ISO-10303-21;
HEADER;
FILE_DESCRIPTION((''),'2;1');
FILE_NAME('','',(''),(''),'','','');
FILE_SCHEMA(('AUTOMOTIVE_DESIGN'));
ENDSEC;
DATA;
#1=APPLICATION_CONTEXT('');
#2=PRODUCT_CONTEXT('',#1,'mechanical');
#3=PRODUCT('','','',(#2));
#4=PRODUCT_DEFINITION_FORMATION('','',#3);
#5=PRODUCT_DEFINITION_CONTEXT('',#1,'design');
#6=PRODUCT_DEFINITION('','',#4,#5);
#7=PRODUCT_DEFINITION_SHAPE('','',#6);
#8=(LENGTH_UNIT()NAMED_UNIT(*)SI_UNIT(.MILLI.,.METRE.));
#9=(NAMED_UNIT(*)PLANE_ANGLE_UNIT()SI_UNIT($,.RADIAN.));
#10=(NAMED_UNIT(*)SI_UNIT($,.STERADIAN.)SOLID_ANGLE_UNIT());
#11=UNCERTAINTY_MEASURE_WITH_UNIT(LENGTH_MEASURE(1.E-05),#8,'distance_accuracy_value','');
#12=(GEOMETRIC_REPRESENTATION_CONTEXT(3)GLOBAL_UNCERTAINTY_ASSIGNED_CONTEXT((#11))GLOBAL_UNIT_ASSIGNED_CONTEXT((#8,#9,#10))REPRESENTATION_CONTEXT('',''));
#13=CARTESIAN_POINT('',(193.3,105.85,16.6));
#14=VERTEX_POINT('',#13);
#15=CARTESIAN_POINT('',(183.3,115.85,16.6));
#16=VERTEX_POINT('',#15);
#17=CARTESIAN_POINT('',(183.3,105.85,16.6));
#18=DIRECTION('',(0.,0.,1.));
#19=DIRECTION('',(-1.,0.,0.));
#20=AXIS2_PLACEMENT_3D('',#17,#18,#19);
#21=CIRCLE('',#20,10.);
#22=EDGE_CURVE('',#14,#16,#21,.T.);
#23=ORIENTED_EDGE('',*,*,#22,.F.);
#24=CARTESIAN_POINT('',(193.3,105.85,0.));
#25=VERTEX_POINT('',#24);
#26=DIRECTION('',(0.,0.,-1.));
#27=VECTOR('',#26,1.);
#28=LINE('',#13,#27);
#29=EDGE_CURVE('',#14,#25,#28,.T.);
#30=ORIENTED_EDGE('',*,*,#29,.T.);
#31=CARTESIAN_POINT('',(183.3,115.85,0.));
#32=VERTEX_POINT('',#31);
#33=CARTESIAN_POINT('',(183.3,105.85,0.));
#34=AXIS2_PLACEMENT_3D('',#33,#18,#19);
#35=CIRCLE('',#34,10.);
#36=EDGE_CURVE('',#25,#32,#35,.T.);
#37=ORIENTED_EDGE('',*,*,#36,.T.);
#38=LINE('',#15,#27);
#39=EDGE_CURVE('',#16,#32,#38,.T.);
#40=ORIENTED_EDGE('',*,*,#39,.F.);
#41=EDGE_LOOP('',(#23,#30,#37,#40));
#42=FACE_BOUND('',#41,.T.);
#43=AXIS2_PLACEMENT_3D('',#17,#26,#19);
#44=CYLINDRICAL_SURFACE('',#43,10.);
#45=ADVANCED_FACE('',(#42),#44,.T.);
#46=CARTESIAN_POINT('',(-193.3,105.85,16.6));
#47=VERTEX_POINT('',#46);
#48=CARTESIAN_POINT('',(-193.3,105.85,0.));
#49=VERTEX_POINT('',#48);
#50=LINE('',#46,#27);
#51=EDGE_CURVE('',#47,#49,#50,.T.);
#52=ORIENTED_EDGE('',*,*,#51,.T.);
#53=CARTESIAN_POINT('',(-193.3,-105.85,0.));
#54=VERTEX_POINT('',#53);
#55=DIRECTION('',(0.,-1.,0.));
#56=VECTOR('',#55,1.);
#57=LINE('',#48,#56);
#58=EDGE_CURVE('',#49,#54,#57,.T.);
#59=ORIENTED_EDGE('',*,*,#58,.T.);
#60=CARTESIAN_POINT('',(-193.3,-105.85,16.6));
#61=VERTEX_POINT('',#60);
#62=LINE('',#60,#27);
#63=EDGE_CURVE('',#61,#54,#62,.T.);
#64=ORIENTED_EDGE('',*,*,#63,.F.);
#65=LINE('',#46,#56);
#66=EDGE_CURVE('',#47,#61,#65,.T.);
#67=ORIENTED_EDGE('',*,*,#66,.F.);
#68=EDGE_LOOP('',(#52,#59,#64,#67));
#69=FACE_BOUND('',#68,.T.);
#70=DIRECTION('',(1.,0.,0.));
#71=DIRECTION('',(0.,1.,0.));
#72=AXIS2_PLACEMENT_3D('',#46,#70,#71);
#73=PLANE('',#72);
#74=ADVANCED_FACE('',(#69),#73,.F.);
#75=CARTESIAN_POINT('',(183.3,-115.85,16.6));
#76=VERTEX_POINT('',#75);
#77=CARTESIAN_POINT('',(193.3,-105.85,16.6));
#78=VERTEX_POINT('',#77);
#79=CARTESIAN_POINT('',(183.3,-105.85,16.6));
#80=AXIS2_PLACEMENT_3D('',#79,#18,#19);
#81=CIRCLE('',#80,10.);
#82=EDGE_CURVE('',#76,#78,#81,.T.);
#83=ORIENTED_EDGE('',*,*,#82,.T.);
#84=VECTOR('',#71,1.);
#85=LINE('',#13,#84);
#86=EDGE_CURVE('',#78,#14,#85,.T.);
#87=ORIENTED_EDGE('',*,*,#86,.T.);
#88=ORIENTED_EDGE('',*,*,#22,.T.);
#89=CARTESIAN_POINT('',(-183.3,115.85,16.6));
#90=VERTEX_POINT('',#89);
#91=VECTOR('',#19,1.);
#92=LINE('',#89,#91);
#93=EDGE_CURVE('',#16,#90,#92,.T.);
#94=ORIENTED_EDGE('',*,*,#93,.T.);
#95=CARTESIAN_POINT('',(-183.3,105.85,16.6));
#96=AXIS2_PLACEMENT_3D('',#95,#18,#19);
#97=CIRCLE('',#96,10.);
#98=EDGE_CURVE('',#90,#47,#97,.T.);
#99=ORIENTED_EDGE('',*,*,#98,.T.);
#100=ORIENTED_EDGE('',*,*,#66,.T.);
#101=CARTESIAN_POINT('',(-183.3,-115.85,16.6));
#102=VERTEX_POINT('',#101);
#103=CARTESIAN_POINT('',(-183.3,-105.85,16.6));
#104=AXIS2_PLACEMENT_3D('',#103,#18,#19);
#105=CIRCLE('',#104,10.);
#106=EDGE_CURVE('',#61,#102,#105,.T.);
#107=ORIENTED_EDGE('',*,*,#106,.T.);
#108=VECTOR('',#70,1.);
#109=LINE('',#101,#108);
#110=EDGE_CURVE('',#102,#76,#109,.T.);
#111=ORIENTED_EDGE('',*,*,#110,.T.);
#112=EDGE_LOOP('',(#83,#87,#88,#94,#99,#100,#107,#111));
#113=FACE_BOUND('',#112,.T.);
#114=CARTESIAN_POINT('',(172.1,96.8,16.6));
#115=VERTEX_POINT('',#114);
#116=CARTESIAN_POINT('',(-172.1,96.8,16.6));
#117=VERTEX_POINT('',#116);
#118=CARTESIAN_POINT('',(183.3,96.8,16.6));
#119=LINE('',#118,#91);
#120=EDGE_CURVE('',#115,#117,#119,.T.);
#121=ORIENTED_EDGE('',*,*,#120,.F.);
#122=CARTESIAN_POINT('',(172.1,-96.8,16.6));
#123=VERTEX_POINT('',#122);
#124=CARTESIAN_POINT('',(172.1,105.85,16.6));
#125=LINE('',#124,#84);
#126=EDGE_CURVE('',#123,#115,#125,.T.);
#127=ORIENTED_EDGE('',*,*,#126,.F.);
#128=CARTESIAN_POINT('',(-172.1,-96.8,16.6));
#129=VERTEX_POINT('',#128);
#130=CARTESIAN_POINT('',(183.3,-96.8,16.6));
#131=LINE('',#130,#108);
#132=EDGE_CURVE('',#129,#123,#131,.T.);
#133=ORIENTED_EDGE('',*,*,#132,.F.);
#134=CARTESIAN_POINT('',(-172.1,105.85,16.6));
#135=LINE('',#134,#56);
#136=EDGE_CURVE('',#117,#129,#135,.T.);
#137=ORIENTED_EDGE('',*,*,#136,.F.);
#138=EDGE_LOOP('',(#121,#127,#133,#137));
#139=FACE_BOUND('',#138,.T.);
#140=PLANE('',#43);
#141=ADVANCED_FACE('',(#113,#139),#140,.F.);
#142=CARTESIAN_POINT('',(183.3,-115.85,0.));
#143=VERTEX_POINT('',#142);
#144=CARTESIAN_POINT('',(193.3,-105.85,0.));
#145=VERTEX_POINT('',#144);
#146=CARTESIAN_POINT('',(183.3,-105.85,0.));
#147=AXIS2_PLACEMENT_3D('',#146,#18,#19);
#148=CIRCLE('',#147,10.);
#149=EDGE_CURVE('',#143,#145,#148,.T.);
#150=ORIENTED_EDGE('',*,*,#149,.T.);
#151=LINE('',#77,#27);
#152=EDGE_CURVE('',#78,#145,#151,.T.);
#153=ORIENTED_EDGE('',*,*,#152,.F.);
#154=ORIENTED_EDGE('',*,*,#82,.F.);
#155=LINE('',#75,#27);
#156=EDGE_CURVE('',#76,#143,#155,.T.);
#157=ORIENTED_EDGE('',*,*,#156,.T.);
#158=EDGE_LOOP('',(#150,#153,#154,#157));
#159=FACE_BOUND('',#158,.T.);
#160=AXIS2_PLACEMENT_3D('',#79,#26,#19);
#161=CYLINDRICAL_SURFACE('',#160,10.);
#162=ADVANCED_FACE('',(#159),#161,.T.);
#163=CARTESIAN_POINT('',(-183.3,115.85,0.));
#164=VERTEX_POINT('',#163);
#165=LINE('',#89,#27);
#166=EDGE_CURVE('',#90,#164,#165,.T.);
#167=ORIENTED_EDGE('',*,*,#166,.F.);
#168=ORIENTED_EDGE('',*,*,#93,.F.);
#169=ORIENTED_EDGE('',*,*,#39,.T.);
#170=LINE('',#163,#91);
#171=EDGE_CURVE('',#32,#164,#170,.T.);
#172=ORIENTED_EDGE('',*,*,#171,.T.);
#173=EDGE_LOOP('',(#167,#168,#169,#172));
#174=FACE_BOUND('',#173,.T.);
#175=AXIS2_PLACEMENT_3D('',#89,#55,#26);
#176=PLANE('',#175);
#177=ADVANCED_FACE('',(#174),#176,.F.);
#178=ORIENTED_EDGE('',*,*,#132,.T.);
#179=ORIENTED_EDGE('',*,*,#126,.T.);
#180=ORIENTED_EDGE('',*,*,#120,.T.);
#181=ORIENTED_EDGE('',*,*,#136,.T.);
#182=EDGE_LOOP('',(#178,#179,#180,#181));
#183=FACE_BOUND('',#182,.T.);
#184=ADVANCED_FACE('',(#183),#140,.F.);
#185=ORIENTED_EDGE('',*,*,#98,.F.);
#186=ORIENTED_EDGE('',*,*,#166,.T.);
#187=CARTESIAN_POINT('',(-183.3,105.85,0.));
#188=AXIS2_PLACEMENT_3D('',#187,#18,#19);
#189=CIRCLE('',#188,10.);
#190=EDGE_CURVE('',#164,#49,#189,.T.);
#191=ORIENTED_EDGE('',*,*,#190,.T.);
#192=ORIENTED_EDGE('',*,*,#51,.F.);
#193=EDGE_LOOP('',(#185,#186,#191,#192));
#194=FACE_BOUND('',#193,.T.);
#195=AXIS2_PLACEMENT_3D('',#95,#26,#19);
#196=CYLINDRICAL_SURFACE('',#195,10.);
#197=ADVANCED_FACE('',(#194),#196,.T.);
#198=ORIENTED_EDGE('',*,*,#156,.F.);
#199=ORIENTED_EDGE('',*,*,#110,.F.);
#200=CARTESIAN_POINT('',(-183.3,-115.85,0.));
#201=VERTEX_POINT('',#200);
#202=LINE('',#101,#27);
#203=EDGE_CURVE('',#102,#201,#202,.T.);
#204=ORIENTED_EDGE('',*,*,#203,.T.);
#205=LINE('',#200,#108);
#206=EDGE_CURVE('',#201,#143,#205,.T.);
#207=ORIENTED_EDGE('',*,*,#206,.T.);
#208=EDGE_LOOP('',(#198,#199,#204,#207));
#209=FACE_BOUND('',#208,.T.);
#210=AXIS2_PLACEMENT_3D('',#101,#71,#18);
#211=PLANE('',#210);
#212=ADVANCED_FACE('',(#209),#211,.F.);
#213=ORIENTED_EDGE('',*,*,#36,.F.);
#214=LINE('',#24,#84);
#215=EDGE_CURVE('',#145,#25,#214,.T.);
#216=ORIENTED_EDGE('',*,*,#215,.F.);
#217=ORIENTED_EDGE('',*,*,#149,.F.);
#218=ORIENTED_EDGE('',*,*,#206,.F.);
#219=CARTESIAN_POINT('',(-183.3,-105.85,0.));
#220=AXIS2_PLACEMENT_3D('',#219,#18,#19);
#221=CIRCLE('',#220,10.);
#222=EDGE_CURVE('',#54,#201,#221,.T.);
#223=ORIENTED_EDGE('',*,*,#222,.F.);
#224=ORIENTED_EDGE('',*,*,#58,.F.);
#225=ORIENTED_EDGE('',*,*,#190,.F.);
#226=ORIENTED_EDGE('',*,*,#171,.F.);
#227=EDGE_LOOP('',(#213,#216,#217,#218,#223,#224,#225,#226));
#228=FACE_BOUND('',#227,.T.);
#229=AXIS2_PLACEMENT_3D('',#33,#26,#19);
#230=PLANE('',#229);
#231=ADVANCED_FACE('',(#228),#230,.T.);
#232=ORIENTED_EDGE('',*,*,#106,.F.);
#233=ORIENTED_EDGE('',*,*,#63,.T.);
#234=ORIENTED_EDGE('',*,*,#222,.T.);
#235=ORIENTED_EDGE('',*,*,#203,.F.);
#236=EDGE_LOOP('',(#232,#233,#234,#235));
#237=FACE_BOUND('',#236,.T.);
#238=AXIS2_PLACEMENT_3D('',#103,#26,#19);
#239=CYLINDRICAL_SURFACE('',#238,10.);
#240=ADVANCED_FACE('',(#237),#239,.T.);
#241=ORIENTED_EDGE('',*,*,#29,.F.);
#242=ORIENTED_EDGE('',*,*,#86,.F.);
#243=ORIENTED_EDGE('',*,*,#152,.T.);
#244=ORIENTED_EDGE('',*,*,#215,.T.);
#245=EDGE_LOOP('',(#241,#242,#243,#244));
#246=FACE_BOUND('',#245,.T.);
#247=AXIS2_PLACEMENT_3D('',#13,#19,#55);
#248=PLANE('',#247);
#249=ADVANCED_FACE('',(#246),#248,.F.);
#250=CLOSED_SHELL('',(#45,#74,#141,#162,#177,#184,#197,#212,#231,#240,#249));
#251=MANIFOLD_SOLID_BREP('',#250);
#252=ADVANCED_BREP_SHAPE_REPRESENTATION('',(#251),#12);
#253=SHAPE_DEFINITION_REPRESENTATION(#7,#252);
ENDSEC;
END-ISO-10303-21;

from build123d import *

# Parameters (mm, degrees)
BOSS_EXTRUDE1_DEPTH = 16.6


with BuildPart() as part:
    # Sketch1 → Boss-Extrude1 (new body)
    with BuildSketch(Plane.XY):
        with BuildLine():
            Line((-183.3, 115.85), (183.3, 115.85))
            ThreePointArc((183.3, 115.85), (190.371067812, 112.921067812), (193.3, 105.85))
            Line((193.3, 105.85), (193.3, -105.85))
            ThreePointArc((193.3, -105.85), (190.371067812, -112.921067812), (183.3, -115.85))
            Line((183.3, -115.85), (-183.3, -115.85))
            ThreePointArc((-183.3, -115.85), (-190.371067812, -112.921067812), (-193.3, -105.85))
            Line((-193.3, -105.85), (-193.3, 105.85))
            ThreePointArc((-193.3, 105.85), (-190.371067812, 112.921067812), (-183.3, 115.85))
        make_face()
    extrude(amount=BOSS_EXTRUDE1_DEPTH)


solid = part.part
